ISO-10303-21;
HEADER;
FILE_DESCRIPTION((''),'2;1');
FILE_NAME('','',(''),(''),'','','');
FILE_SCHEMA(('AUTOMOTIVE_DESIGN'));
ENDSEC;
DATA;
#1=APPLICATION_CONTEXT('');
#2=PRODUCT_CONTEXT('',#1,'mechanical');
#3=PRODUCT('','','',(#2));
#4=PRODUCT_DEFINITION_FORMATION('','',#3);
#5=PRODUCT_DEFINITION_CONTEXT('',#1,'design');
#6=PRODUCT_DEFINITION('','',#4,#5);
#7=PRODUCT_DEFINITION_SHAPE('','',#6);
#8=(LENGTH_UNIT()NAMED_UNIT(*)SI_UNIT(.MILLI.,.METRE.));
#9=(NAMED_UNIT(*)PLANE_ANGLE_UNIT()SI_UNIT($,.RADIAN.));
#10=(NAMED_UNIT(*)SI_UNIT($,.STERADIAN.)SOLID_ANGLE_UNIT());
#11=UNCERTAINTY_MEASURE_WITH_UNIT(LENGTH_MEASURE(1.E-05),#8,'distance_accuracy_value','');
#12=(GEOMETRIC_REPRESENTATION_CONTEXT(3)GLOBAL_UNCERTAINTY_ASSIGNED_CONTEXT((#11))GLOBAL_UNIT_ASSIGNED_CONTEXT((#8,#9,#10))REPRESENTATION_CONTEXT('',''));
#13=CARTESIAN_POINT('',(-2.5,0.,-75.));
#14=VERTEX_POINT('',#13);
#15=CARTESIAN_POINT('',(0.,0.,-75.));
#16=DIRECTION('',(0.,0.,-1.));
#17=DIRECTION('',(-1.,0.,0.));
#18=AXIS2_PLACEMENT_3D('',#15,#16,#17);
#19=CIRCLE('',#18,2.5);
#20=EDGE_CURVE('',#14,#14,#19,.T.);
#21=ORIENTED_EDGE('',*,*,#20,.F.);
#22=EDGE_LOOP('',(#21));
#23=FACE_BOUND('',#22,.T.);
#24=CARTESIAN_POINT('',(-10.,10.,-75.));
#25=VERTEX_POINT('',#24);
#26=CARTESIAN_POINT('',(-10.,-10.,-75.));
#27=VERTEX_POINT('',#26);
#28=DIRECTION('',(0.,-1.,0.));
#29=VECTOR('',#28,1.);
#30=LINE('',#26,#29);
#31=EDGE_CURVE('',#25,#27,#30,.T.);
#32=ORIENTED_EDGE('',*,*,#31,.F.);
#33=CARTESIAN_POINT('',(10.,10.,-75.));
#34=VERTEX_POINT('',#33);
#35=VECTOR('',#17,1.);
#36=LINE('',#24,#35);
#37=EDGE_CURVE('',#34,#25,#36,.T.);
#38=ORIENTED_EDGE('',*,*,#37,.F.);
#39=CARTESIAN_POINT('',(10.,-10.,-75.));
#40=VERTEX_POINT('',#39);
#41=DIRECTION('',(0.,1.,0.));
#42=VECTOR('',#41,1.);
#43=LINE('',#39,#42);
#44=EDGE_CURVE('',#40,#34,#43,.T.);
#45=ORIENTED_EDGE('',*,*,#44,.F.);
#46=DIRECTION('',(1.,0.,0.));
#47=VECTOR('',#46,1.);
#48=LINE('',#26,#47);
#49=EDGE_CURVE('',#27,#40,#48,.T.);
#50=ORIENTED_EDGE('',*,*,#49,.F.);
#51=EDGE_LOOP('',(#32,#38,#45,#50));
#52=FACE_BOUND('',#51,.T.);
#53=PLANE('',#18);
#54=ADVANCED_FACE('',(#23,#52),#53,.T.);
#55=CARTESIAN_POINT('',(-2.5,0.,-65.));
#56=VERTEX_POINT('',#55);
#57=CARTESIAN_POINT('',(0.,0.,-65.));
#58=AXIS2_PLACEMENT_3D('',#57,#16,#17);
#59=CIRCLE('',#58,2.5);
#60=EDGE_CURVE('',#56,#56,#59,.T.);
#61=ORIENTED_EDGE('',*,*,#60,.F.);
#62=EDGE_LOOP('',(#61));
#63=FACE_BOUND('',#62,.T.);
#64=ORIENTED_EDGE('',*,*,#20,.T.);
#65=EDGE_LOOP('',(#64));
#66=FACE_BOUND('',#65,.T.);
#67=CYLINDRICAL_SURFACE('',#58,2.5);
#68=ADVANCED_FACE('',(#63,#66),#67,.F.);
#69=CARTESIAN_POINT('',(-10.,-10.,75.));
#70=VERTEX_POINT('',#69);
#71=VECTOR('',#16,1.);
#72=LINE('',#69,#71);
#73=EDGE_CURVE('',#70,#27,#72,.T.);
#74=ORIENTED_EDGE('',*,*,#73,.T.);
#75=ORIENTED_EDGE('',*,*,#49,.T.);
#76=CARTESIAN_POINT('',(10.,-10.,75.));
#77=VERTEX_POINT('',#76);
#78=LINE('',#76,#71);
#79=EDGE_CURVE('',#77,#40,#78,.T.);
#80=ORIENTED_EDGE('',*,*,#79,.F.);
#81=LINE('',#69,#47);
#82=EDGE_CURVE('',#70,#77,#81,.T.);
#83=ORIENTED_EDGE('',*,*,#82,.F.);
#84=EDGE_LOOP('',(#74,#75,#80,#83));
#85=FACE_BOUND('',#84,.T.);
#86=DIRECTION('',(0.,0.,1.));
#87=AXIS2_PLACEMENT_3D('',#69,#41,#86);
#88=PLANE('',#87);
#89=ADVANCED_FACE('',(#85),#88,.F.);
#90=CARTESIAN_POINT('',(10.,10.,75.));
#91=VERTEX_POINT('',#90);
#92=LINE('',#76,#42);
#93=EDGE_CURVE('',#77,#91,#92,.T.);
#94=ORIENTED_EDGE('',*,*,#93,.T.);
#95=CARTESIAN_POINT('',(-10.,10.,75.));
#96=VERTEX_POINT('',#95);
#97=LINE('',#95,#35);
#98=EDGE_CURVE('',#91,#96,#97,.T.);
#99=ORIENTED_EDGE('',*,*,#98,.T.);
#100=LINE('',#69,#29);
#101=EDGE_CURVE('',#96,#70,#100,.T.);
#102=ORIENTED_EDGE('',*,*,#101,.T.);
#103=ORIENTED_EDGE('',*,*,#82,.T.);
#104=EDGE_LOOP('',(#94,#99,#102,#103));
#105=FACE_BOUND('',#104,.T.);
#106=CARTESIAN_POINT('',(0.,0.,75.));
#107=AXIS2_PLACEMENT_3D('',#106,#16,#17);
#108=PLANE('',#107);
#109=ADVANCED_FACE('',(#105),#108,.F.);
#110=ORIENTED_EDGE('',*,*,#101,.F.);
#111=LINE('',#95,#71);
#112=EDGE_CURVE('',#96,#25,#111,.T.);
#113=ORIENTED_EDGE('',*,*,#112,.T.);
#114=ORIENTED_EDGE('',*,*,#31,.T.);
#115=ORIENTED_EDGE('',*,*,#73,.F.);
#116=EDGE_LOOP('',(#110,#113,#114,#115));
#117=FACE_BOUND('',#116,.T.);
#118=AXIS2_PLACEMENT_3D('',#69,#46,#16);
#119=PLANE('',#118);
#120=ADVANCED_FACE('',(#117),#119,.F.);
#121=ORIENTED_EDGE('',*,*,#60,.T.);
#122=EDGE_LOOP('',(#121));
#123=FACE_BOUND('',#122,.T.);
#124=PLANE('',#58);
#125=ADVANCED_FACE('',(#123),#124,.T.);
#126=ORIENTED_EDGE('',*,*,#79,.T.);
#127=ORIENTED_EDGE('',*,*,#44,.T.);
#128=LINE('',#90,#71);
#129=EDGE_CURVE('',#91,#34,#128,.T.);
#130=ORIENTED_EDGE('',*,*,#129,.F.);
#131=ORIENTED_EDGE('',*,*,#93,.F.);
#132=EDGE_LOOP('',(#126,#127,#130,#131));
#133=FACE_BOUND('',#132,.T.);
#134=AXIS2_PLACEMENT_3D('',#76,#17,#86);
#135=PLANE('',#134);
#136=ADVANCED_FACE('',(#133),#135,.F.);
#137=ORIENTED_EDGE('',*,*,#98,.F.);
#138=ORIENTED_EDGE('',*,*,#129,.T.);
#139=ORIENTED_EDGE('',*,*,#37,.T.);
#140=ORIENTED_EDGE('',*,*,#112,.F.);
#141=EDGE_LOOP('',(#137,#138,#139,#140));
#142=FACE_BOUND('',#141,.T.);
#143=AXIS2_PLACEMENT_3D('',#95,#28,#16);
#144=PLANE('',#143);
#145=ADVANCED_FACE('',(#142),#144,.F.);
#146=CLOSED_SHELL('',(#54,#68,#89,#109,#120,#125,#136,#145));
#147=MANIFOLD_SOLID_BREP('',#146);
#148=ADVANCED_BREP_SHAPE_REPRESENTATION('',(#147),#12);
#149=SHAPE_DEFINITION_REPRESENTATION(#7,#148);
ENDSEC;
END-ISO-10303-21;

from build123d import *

# Parameters (mm, degrees)
CROQUIS1_W              = 20
CROQUIS1_H              = 20
SALIENTE_EXTRUIR1_DEPTH = 75
CROQUIS2_R              = 2.5
CORTAR_EXTRUIR2_DEPTH   = 10


with BuildPart() as part:
    # Croquis1 → Saliente-Extruir1 (new, symmetric)
    with BuildSketch(Plane.XY):
        Rectangle(CROQUIS1_W, CROQUIS1_H)
    extrude(amount=SALIENTE_EXTRUIR1_DEPTH, both=True)

    # Croquis2 → Cortar-Extruir2 (cut)
    with BuildSketch(Plane(origin=(0, 0, -75), x_dir=(-1, 0, 0), z_dir=(0, 0, -1))):
        Circle(CROQUIS2_R)
    extrude(amount=-CORTAR_EXTRUIR2_DEPTH, mode=Mode.SUBTRACT)


solid = part.part
